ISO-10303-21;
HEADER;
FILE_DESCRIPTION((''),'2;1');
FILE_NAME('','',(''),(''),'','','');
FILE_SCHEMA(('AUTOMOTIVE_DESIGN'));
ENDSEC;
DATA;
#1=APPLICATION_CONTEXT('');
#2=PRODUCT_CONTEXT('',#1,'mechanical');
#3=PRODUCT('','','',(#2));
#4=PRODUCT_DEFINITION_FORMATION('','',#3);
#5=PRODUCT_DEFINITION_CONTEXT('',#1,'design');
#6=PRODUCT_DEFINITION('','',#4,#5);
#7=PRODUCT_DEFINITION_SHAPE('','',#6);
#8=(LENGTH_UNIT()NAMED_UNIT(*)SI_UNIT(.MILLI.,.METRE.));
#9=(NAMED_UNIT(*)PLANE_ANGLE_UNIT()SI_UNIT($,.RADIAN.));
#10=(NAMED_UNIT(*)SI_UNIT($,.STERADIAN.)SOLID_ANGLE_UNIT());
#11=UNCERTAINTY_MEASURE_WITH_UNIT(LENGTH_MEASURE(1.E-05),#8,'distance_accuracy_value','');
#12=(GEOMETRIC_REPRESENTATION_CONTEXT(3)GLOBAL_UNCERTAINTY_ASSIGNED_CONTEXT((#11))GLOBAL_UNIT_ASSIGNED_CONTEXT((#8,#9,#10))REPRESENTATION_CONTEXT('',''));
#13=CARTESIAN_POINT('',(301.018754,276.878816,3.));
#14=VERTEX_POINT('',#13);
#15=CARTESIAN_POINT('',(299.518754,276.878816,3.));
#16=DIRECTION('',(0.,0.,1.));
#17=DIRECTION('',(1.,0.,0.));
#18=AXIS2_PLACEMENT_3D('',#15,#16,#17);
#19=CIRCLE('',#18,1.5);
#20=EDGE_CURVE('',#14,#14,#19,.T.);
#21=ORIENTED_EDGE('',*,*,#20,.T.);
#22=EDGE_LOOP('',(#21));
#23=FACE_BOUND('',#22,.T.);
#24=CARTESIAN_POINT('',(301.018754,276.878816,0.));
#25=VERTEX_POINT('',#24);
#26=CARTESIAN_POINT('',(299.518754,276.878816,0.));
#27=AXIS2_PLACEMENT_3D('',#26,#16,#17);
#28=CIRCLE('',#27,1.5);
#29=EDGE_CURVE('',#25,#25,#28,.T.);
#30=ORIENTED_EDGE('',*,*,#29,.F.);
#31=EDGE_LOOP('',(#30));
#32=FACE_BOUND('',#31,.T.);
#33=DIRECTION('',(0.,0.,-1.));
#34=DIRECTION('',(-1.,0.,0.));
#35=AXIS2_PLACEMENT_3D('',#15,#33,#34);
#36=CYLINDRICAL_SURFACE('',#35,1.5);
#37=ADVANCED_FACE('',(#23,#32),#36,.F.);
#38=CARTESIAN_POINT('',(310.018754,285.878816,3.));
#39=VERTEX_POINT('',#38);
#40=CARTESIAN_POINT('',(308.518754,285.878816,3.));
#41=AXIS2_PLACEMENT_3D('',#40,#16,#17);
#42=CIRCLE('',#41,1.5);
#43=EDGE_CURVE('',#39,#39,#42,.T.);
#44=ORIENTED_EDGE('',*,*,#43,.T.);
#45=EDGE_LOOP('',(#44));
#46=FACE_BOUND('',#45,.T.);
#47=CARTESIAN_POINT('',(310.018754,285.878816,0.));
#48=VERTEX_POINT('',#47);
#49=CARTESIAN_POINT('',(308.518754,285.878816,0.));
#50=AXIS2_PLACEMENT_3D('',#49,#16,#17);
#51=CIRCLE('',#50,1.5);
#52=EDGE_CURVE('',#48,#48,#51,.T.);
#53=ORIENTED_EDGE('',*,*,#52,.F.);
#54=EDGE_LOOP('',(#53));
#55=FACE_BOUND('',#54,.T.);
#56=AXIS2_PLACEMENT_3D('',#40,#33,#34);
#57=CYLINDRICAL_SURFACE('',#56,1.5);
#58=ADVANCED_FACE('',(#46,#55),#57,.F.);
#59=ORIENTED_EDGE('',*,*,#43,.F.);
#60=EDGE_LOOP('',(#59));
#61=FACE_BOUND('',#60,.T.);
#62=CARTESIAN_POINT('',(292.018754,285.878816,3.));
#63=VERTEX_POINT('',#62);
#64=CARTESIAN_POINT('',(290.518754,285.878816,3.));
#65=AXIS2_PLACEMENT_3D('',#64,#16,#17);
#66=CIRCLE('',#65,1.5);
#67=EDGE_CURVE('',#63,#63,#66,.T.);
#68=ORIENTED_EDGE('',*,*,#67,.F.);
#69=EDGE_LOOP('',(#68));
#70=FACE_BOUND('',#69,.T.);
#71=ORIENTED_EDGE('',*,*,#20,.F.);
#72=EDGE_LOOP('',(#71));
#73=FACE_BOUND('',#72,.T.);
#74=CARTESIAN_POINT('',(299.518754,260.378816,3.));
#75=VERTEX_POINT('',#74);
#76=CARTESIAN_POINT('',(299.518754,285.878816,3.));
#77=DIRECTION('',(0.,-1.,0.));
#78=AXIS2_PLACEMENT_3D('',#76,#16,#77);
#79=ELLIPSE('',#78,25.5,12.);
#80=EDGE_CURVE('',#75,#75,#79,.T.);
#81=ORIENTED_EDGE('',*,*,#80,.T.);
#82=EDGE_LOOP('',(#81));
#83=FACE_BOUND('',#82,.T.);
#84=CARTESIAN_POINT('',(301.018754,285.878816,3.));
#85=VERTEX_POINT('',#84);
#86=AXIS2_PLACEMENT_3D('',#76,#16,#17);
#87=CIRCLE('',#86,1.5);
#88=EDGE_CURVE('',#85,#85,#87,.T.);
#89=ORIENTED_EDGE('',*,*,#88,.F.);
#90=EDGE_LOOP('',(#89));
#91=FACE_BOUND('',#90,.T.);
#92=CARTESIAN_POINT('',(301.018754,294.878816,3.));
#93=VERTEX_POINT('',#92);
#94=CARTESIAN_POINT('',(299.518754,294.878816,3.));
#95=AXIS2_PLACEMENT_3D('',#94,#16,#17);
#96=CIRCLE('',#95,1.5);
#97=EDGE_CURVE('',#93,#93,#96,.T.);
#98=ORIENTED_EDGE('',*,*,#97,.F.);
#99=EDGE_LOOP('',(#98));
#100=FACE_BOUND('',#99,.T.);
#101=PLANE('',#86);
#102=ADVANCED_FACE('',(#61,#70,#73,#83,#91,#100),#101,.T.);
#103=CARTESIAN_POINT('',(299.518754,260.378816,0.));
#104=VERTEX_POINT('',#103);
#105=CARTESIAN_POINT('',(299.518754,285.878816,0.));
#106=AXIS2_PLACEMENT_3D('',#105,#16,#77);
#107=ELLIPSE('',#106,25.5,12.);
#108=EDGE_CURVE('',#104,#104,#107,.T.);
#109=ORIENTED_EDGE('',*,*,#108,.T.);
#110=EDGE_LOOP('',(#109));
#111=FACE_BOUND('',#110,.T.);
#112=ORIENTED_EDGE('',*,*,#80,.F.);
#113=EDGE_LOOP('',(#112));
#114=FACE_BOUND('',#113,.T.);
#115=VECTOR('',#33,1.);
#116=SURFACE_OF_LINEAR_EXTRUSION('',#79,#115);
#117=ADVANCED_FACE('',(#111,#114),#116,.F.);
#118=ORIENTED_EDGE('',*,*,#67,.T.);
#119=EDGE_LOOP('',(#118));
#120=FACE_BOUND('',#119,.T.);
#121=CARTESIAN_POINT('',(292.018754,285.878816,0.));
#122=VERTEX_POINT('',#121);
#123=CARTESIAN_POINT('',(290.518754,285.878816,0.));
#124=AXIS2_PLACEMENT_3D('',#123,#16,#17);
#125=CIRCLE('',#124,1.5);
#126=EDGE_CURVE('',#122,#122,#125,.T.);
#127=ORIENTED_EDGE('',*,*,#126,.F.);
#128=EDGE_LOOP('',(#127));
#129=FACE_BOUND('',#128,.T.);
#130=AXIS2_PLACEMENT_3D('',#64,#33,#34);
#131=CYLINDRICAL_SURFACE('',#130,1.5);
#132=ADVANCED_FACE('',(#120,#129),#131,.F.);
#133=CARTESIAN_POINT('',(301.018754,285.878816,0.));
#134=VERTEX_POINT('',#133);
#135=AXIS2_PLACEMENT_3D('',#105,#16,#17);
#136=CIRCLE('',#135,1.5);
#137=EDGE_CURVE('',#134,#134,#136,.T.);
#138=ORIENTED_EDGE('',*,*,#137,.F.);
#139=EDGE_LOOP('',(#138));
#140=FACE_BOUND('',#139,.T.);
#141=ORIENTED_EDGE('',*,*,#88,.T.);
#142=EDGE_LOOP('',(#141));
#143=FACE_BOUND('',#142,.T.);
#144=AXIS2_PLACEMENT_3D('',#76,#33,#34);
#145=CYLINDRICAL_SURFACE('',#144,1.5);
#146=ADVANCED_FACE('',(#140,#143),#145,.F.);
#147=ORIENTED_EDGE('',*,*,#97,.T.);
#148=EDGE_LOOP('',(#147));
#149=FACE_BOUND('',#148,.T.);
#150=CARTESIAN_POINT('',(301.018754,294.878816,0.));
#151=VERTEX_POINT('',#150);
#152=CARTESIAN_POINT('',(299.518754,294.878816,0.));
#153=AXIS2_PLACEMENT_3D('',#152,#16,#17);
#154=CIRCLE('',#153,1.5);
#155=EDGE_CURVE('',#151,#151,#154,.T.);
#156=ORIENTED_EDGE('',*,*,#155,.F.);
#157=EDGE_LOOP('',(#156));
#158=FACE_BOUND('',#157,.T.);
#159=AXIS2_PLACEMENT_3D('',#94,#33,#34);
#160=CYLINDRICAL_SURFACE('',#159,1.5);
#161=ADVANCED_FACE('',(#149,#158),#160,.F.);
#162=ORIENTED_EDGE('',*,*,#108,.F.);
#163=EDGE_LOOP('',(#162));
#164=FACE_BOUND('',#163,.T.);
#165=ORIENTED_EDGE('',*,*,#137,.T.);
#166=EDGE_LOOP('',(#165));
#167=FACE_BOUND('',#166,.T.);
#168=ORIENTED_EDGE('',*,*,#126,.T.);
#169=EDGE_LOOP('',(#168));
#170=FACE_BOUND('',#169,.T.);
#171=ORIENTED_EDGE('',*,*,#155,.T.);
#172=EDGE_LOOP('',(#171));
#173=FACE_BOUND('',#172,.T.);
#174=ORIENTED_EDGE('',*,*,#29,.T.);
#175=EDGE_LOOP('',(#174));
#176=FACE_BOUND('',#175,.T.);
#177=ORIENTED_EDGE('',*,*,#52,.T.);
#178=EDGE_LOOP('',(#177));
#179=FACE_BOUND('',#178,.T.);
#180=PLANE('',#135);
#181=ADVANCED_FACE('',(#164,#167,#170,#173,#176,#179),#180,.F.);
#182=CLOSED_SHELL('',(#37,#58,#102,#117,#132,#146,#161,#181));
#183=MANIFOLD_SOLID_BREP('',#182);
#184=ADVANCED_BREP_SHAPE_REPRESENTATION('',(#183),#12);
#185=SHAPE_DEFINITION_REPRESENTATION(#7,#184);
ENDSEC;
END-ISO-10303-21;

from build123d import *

# Parameters (mm, degrees)
MODEL_RX                = 25.5
MODEL_RY                = 12
MODEL_R                 = 1.5
SALIENTE_EXTRUIR1_DEPTH = 3


with BuildPart() as part:
    # Model → Saliente-Extruir1 (new body)
    with BuildSketch(Plane.XY):
        with Locations(Location((299.518754002, 285.878815596), (0, 0, -90))):
            Ellipse(MODEL_RX, MODEL_RY)
        with Locations((299.518754002, 276.878815596)):
            Circle(MODEL_R, mode=Mode.SUBTRACT)
        with Locations((299.518754002, 294.878815596)):
            Circle(MODEL_R, mode=Mode.SUBTRACT)
        with Locations((308.518754003, 285.878815596)):
            Circle(MODEL_R, mode=Mode.SUBTRACT)
        with Locations((290.518754002, 285.878815596)):
            Circle(MODEL_R, mode=Mode.SUBTRACT)
        with Locations((299.518754002, 285.878815596)):
            Circle(MODEL_R, mode=Mode.SUBTRACT)
    extrude(amount=SALIENTE_EXTRUIR1_DEPTH)


solid = part.part
